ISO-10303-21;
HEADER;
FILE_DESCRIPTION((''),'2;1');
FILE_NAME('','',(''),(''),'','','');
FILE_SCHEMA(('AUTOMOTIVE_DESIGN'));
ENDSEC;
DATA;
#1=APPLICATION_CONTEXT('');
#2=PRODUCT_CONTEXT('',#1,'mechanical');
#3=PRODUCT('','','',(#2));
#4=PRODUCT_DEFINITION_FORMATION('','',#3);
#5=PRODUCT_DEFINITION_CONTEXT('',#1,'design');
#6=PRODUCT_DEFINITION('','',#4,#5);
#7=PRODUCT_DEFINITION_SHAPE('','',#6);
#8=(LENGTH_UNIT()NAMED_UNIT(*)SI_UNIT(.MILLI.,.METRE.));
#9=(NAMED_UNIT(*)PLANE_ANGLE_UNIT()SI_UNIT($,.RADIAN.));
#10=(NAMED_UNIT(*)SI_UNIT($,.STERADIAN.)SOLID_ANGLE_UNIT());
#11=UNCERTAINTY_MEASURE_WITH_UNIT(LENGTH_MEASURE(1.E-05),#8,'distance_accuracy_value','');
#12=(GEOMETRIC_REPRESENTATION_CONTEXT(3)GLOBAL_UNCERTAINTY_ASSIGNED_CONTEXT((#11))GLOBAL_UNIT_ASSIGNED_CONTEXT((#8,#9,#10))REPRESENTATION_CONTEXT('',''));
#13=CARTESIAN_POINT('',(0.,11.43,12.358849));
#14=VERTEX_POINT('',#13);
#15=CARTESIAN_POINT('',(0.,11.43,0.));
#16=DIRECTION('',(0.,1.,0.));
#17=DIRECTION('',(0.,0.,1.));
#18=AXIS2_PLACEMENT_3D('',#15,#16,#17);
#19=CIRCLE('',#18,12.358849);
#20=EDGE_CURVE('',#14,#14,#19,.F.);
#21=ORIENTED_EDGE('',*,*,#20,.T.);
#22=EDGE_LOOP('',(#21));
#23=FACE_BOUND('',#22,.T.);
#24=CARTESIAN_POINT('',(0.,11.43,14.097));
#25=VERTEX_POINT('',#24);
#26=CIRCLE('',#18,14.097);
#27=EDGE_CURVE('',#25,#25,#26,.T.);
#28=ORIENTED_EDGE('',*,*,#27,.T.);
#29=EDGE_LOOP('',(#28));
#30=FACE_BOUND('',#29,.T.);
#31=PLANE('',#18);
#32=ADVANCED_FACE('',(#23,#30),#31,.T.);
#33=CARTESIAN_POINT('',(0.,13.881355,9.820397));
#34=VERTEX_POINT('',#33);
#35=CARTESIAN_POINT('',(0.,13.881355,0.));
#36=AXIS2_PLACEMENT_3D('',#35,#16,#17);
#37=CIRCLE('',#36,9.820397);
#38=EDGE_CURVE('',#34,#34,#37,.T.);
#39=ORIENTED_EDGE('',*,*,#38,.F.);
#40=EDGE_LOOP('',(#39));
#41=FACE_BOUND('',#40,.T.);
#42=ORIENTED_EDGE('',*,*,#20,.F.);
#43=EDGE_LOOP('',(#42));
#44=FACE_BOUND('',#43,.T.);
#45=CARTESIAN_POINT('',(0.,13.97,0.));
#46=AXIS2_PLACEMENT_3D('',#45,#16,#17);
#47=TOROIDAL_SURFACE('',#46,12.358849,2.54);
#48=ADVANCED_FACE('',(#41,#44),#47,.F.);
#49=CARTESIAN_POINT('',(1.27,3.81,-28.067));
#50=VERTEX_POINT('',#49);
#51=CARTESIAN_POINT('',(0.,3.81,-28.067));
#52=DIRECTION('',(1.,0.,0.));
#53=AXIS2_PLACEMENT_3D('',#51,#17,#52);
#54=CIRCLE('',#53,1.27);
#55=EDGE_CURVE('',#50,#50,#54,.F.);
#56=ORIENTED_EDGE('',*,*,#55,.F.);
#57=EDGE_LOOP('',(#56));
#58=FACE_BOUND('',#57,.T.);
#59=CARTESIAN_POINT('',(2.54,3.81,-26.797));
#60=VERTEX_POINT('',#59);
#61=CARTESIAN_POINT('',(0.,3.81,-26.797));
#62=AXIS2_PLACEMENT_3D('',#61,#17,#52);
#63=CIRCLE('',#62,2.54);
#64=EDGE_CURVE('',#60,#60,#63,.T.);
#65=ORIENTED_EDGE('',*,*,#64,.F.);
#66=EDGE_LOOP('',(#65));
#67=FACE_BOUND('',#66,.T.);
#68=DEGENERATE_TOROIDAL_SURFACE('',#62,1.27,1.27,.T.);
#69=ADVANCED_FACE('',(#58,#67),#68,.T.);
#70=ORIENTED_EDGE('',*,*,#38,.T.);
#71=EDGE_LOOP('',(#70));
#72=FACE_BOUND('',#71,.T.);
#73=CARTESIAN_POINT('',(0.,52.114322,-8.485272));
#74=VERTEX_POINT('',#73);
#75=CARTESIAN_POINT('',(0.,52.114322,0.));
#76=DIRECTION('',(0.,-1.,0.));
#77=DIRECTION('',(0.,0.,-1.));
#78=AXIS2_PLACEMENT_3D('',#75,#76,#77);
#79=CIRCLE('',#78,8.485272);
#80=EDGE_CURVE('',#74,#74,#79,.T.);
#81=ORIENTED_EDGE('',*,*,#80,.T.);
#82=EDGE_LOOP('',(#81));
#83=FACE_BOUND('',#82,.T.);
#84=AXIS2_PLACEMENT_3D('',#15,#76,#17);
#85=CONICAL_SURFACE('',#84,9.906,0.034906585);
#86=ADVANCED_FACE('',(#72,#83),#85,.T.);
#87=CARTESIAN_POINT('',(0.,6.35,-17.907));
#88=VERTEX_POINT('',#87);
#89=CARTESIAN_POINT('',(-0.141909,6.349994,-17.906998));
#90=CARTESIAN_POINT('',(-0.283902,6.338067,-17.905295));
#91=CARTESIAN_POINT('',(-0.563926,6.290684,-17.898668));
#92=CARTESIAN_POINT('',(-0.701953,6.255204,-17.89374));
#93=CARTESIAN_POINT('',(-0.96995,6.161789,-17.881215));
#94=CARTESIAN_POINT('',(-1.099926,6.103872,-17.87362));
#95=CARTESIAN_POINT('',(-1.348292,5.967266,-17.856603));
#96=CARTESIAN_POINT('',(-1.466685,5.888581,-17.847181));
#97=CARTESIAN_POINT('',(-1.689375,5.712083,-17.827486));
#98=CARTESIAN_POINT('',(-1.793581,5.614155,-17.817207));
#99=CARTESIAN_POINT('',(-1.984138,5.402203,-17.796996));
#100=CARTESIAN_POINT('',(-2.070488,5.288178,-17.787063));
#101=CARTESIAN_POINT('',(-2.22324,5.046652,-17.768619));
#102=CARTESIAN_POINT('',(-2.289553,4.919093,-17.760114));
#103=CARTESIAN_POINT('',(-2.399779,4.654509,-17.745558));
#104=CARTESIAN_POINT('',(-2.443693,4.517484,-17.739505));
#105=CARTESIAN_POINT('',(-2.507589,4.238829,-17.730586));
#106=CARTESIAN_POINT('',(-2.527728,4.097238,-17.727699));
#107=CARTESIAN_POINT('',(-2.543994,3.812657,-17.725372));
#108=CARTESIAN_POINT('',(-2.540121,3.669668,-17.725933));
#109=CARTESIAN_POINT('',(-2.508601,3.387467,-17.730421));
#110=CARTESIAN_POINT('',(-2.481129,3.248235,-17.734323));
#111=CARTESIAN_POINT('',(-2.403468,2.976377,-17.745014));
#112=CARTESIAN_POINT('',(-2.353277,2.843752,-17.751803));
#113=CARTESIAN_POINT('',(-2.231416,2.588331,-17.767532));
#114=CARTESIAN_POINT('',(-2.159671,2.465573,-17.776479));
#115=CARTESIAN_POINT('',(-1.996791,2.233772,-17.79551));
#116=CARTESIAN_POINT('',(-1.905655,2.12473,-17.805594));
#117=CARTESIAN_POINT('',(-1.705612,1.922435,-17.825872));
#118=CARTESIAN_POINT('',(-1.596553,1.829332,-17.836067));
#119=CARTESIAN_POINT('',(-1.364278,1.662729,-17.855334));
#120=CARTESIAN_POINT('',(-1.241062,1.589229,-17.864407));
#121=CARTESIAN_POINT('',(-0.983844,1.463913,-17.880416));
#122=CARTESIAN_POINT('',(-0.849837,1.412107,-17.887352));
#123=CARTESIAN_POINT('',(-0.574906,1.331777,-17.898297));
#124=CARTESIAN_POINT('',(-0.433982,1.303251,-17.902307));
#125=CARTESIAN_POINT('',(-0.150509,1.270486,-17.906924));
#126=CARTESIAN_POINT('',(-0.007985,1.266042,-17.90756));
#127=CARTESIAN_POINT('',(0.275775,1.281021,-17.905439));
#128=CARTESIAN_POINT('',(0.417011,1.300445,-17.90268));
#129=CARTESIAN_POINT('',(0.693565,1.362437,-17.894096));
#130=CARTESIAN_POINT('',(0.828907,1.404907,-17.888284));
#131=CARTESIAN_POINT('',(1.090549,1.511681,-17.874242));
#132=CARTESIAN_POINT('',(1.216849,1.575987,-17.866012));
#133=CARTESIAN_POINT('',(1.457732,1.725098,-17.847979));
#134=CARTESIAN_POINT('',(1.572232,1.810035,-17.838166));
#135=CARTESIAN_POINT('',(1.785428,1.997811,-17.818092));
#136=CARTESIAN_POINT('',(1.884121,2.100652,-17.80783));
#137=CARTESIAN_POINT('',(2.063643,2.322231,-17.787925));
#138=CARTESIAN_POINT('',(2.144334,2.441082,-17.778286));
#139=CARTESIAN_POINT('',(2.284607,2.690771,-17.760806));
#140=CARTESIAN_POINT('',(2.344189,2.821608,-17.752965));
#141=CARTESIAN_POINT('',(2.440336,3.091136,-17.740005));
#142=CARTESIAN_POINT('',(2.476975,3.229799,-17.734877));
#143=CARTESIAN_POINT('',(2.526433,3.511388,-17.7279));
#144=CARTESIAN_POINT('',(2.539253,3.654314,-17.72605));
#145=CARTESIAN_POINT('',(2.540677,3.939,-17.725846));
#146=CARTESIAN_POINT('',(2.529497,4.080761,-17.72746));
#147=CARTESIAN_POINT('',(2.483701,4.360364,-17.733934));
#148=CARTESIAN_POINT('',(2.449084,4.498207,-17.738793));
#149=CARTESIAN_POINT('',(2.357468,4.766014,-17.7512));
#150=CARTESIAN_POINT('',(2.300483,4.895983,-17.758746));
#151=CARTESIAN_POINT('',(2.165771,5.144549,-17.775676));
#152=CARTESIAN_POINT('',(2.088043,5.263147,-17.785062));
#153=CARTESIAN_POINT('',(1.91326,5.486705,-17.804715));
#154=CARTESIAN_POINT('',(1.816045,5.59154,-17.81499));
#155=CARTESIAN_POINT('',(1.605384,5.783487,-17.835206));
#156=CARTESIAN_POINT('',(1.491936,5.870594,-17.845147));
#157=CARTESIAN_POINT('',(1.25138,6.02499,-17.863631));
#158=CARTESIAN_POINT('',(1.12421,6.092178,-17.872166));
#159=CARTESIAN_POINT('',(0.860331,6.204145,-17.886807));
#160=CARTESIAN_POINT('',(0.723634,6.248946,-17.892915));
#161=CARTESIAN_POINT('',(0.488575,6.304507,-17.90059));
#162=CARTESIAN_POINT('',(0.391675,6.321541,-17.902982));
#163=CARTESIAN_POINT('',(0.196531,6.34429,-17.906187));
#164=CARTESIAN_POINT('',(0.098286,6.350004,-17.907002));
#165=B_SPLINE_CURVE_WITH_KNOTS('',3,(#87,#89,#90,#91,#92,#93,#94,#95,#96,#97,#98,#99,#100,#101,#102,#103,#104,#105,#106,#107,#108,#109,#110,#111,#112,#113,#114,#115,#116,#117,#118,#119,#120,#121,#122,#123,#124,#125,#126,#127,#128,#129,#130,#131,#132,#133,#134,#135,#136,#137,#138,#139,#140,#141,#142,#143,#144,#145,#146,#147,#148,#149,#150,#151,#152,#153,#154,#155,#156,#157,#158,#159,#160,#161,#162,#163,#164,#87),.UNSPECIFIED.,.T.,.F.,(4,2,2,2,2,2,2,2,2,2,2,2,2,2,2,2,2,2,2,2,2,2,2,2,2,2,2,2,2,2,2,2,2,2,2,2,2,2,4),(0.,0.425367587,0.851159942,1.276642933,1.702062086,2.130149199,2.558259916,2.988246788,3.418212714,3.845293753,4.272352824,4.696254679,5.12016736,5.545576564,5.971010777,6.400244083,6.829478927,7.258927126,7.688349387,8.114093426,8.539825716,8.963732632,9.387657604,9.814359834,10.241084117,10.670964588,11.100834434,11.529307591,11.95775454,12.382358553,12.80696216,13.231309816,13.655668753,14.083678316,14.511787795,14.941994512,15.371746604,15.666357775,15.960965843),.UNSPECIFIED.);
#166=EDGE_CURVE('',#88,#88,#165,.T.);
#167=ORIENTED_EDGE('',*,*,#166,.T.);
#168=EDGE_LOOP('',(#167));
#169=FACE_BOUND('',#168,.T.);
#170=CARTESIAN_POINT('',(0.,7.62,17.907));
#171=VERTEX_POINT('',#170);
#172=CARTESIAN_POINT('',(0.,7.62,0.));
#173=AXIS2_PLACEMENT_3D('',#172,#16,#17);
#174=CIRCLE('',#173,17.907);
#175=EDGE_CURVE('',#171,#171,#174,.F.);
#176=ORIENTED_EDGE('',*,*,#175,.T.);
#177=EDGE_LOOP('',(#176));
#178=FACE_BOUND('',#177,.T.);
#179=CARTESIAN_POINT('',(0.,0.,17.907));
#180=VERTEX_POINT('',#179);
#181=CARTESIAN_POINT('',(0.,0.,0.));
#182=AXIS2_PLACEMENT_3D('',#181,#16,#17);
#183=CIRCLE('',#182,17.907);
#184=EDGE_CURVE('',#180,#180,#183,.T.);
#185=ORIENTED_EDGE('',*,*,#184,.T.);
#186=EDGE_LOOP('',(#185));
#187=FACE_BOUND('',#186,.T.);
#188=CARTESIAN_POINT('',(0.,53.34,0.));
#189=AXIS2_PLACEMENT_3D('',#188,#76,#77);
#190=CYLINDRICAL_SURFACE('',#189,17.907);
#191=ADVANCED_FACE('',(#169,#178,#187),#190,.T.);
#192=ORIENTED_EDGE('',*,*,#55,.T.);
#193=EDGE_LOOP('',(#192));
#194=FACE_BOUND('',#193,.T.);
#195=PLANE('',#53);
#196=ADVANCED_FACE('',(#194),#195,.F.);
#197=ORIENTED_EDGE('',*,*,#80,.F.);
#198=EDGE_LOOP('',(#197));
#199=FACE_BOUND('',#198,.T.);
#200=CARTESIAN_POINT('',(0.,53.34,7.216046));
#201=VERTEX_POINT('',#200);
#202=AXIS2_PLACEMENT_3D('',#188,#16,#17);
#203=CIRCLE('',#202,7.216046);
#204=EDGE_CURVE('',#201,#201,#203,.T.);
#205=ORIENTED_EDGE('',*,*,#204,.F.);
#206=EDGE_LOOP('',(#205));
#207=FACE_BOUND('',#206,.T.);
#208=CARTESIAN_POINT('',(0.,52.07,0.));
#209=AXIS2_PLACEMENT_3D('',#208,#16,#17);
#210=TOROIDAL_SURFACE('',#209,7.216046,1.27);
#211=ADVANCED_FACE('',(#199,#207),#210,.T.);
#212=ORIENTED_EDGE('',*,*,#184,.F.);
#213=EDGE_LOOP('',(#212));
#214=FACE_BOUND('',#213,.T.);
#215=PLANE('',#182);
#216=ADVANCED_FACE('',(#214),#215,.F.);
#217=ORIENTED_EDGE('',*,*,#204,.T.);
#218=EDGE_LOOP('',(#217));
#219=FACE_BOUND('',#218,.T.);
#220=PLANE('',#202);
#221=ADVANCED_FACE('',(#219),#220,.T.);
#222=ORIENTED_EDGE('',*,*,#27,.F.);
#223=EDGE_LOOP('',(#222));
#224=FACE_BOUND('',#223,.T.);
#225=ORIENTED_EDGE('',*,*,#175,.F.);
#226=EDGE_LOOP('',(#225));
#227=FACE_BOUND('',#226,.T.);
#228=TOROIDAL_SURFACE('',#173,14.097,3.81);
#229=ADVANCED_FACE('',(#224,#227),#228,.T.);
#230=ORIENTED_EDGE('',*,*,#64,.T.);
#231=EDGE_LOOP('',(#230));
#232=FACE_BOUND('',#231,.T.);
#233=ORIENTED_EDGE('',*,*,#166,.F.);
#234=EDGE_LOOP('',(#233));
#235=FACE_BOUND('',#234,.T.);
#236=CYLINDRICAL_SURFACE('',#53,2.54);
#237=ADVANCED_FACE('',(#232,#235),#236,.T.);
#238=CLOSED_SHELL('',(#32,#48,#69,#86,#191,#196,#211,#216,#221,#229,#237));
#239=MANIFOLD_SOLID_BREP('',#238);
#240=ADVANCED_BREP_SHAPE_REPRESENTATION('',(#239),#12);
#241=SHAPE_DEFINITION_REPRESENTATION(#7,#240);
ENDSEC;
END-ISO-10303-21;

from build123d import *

# Parameters (mm, degrees)
SKETCH1_R           = 17.907
BOSS_EXTRUDE1_DEPTH = 53.34
SKETCH2_OUTSIDE_W   = 55.452
SKETCH2_OUTSIDE_H   = 55.452
SKETCH2_OUTSIDE_R   = 9.906
CUT_EXTRUDE1_DEPTH  = 41.91
CUT_EXTRUDE1_DRAFT  = -2
FILLET1_R           = 1.27
FILLET2_R           = 3.81
FILLET3_R           = 2.54
SKETCH4_R           = 2.54
BOSS_EXTRUDE3_DEPTH = 28.067
FILLET4_R           = 1.27


with BuildPart() as part:
    # Sketch1 → Boss-Extrude1 (new body)
    with BuildSketch(Plane(origin=(0, 0, 0), x_dir=(1, 0, 0), z_dir=(0, 1, 0))):
        with Locations(Location((0, 0, 0), (0, 0, 270))):
            Circle(SKETCH1_R)
    extrude(amount=BOSS_EXTRUDE1_DEPTH)


with BuildPart() as cut_extrude1_tool:
    # Sketch2 outside → Cut-Extrude1 (with draft: the straight prism first)
    with BuildSketch(Plane(origin=(0, 11.43, 0), x_dir=(1, 0, 0), z_dir=(0, 1, 0))):
        Rectangle(SKETCH2_OUTSIDE_W, SKETCH2_OUTSIDE_H)
        Circle(SKETCH2_OUTSIDE_R, mode=Mode.SUBTRACT)
    extrude(amount=CUT_EXTRUDE1_DEPTH)
    # Cut-Extrude1: the draft: its side faces are tilted about the plane it starts from
    cut_extrude1_sides = [cut_extrude1_tool.faces().sort_by_distance(p)[0] for p in [
        (0, 32.385, 27.726),
        (27.726, 32.385, 0),
        (0, 32.385, -27.726),
        (-27.726, 32.385, 0),
        (-9.906, 32.385, 0),
    ]]
    draft(cut_extrude1_sides, Plane(origin=(0, 11.43, 0), x_dir=(1, 0, 0), z_dir=(0, 1, 0)), CUT_EXTRUDE1_DRAFT)


with BuildPart() as part_1:
    add(part.part)

    # Cut-Extrude1: cut by cut_extrude1_tool
    add(cut_extrude1_tool.part, mode=Mode.SUBTRACT)

    # Fillet1
    fillet1_edges = [part_1.edges().sort_by_distance(p)[0] for p in [
        (-8.442470551, 53.34, 0),
    ]]
    fillet(fillet1_edges, radius=FILLET1_R)

    # Fillet2
    fillet2_edges = [part_1.edges().sort_by_distance(p)[0] for p in [
        (0, 11.43, -17.907),
    ]]
    fillet(fillet2_edges, radius=FILLET2_R)

    # Fillet3
    fillet3_edges = [part_1.edges().sort_by_distance(p)[0] for p in [
        (-9.906, 11.43, 0),
    ]]
    fillet(fillet3_edges, radius=FILLET3_R)

    # Sketch4 → Boss-Extrude3 (add)
    with BuildSketch(Plane.XY):
        with Locations((0, 3.81)):
            Circle(SKETCH4_R)
    extrude(amount=-BOSS_EXTRUDE3_DEPTH)

    # Fillet4
    fillet4_edges = [part_1.edges().sort_by_distance(p)[0] for p in [
        (-2.54, 3.81, -28.067),
    ]]
    fillet(fillet4_edges, radius=FILLET4_R)


solid = part_1.part
